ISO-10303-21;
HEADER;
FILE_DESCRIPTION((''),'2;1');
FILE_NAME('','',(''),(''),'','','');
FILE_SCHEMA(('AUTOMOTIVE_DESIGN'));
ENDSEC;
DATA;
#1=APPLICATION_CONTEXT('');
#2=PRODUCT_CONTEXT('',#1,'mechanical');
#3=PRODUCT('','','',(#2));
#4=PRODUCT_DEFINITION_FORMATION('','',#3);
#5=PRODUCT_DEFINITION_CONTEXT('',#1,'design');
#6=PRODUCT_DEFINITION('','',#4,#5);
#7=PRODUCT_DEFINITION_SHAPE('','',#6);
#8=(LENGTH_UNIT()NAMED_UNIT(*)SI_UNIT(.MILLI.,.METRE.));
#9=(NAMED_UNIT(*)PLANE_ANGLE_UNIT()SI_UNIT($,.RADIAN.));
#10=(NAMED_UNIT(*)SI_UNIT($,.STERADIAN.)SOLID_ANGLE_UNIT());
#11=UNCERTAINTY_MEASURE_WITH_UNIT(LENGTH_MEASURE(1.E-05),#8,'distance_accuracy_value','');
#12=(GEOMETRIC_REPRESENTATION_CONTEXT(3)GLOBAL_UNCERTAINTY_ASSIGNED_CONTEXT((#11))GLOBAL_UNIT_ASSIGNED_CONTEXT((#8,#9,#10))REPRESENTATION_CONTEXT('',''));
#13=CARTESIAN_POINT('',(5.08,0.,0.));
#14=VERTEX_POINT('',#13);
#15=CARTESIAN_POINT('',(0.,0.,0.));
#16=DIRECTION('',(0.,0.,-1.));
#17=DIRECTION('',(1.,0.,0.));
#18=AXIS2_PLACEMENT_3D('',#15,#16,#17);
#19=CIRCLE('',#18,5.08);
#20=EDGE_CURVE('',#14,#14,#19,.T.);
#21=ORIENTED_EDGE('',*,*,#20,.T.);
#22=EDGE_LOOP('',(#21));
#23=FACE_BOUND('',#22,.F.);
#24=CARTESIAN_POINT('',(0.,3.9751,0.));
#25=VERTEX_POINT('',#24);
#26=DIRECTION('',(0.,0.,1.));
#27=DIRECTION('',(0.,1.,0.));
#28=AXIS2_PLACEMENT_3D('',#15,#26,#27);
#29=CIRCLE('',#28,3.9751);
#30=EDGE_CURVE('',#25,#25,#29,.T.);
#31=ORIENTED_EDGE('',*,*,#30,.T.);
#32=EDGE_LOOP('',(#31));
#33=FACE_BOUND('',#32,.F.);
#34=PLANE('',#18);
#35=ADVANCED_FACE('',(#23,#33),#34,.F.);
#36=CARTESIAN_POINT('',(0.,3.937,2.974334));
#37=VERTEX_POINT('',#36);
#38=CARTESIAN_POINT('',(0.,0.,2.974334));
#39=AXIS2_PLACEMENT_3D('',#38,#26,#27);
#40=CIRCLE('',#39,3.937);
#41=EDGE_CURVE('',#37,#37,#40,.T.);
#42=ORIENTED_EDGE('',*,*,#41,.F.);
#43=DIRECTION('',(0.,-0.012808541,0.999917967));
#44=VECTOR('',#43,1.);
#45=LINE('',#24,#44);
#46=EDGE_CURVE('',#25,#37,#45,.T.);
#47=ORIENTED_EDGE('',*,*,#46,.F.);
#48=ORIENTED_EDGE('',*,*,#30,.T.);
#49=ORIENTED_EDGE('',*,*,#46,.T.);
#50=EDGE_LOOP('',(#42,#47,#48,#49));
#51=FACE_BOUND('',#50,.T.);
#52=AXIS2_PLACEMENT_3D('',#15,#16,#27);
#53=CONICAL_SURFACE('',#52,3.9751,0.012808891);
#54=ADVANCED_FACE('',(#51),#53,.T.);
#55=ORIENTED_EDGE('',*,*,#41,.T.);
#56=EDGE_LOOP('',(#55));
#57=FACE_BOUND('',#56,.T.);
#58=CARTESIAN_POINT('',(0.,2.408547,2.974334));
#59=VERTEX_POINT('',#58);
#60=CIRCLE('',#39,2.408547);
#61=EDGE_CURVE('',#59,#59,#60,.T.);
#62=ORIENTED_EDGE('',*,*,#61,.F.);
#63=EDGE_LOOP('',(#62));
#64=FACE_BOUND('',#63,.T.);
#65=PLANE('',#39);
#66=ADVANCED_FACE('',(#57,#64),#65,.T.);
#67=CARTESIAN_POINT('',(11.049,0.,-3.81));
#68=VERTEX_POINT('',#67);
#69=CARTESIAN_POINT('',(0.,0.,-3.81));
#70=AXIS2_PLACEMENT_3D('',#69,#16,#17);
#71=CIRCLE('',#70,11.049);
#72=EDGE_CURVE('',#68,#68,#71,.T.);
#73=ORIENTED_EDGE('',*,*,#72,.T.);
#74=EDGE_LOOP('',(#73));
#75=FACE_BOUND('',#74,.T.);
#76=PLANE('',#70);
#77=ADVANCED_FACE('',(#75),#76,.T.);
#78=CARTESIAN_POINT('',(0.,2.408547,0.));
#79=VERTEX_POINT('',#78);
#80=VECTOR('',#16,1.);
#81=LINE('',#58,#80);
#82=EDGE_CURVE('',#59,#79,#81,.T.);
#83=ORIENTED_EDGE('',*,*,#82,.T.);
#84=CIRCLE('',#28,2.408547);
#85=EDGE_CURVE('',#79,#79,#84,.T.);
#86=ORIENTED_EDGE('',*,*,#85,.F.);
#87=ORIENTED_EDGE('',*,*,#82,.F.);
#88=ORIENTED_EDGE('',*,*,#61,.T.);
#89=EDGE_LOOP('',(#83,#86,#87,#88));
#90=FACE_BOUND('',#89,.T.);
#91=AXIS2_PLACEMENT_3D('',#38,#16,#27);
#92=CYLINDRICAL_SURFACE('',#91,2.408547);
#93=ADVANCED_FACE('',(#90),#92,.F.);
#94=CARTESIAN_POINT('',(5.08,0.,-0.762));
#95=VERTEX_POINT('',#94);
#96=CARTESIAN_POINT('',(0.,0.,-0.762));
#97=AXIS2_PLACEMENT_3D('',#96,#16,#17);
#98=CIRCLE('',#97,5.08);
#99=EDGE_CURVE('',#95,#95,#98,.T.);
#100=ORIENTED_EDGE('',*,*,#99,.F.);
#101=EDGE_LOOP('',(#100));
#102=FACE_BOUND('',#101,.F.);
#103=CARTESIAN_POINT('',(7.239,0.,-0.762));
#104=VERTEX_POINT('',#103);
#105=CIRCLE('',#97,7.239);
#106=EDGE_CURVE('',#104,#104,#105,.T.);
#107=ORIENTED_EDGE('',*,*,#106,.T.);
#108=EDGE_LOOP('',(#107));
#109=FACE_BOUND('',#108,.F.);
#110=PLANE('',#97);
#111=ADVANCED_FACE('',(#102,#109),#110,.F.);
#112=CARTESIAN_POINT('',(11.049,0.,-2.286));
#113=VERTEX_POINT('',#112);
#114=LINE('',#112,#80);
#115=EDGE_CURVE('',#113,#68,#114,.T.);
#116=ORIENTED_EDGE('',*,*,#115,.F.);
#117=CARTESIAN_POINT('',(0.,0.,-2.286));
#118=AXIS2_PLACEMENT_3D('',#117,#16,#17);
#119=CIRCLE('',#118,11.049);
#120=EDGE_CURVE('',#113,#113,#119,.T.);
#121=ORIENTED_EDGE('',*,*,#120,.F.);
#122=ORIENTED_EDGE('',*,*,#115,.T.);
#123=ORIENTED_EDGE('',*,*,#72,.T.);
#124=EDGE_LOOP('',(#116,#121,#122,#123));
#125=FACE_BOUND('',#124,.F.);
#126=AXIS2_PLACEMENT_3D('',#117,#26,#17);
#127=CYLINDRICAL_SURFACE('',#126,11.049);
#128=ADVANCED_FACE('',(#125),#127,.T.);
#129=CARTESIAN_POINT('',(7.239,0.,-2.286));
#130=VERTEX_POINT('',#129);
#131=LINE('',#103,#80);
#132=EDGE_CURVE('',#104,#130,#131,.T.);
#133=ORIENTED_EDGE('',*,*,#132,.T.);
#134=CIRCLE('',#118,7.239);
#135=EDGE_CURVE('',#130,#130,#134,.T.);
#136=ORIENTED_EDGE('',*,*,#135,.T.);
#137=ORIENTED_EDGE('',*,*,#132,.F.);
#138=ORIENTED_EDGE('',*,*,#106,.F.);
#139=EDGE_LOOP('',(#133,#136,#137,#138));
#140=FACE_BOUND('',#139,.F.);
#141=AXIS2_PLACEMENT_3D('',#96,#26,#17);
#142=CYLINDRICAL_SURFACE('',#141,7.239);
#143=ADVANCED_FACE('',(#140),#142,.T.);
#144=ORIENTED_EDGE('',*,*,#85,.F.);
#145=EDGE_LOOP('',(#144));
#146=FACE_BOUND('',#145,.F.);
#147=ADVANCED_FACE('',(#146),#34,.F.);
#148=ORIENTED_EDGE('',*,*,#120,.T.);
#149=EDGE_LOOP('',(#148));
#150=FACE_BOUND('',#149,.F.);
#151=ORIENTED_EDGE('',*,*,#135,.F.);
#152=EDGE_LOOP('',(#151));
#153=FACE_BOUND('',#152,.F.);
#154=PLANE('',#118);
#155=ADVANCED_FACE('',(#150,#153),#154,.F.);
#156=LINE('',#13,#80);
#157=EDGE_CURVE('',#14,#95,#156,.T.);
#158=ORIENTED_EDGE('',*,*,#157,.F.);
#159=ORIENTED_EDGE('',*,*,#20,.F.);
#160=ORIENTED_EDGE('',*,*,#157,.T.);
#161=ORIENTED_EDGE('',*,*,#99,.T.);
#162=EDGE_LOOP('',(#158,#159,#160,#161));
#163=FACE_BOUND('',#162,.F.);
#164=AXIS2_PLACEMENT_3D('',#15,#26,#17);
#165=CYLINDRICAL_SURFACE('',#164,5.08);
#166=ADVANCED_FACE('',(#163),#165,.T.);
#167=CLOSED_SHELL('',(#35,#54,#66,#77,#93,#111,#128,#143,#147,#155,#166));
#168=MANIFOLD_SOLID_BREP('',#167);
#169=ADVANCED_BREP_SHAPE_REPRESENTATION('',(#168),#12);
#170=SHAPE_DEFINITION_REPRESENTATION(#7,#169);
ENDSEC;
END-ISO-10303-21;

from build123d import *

# Parameters (mm, degrees)
F2_R      = 3.937
F2_R_2    = 2.667
F3_DEPTH  = 2.794
F4_R      = 5.08
F5_DEPTH  = 0.762
F6_R      = 7.239
F7_DEPTH  = 1.524
F9_R      = 11.049
F10_DEPTH = 1.524


with BuildPart() as f1:
    # F0 (on Right) → F1 (revolve)
    with BuildSketch(Plane.YZ):
        Polygon((2.4085466543, 2.8091624185), (2.4085466543, 0), (3.9751, 0), (3.937, 2.9743337072), (2.4085466543, 2.9743337072), align=None)
    revolve(axis=Axis((0, 0, 1.4871668536), (0, 0, 1)))



with BuildPart() as f3:
    # F2 (on Top) → F3 (new body)
    with BuildSketch(Plane.XY):
        Circle(F2_R)
        Circle(F2_R_2, mode=Mode.SUBTRACT)
    extrude(amount=F3_DEPTH)


with BuildPart() as f5:
    # F4 (on face) → F5 (new body)
    with BuildSketch(Plane(origin=(0, 0, 0), x_dir=(1, 0, 0), z_dir=(0, 0, -1))):
        Circle(F4_R)
    extrude(amount=F5_DEPTH)

    # F6 (on face) → F7 (join)
    with BuildSketch(Plane(origin=(0, 0, -0.762), x_dir=(1, 0, 0), z_dir=(0, 0, -1))):
        Circle(F6_R)
    extrude(amount=F7_DEPTH)


with BuildPart() as f1_1:
    add(f1.part)

    add(f5.part)  # F10 merges F5
    # F9 (on face) → F10 (join)
    with BuildSketch(Plane(origin=(0, 0, -2.286), x_dir=(1, 0, 0), z_dir=(0, 0, -1))):
        Circle(F9_R)
    extrude(amount=F10_DEPTH)


solid = f1_1.part
